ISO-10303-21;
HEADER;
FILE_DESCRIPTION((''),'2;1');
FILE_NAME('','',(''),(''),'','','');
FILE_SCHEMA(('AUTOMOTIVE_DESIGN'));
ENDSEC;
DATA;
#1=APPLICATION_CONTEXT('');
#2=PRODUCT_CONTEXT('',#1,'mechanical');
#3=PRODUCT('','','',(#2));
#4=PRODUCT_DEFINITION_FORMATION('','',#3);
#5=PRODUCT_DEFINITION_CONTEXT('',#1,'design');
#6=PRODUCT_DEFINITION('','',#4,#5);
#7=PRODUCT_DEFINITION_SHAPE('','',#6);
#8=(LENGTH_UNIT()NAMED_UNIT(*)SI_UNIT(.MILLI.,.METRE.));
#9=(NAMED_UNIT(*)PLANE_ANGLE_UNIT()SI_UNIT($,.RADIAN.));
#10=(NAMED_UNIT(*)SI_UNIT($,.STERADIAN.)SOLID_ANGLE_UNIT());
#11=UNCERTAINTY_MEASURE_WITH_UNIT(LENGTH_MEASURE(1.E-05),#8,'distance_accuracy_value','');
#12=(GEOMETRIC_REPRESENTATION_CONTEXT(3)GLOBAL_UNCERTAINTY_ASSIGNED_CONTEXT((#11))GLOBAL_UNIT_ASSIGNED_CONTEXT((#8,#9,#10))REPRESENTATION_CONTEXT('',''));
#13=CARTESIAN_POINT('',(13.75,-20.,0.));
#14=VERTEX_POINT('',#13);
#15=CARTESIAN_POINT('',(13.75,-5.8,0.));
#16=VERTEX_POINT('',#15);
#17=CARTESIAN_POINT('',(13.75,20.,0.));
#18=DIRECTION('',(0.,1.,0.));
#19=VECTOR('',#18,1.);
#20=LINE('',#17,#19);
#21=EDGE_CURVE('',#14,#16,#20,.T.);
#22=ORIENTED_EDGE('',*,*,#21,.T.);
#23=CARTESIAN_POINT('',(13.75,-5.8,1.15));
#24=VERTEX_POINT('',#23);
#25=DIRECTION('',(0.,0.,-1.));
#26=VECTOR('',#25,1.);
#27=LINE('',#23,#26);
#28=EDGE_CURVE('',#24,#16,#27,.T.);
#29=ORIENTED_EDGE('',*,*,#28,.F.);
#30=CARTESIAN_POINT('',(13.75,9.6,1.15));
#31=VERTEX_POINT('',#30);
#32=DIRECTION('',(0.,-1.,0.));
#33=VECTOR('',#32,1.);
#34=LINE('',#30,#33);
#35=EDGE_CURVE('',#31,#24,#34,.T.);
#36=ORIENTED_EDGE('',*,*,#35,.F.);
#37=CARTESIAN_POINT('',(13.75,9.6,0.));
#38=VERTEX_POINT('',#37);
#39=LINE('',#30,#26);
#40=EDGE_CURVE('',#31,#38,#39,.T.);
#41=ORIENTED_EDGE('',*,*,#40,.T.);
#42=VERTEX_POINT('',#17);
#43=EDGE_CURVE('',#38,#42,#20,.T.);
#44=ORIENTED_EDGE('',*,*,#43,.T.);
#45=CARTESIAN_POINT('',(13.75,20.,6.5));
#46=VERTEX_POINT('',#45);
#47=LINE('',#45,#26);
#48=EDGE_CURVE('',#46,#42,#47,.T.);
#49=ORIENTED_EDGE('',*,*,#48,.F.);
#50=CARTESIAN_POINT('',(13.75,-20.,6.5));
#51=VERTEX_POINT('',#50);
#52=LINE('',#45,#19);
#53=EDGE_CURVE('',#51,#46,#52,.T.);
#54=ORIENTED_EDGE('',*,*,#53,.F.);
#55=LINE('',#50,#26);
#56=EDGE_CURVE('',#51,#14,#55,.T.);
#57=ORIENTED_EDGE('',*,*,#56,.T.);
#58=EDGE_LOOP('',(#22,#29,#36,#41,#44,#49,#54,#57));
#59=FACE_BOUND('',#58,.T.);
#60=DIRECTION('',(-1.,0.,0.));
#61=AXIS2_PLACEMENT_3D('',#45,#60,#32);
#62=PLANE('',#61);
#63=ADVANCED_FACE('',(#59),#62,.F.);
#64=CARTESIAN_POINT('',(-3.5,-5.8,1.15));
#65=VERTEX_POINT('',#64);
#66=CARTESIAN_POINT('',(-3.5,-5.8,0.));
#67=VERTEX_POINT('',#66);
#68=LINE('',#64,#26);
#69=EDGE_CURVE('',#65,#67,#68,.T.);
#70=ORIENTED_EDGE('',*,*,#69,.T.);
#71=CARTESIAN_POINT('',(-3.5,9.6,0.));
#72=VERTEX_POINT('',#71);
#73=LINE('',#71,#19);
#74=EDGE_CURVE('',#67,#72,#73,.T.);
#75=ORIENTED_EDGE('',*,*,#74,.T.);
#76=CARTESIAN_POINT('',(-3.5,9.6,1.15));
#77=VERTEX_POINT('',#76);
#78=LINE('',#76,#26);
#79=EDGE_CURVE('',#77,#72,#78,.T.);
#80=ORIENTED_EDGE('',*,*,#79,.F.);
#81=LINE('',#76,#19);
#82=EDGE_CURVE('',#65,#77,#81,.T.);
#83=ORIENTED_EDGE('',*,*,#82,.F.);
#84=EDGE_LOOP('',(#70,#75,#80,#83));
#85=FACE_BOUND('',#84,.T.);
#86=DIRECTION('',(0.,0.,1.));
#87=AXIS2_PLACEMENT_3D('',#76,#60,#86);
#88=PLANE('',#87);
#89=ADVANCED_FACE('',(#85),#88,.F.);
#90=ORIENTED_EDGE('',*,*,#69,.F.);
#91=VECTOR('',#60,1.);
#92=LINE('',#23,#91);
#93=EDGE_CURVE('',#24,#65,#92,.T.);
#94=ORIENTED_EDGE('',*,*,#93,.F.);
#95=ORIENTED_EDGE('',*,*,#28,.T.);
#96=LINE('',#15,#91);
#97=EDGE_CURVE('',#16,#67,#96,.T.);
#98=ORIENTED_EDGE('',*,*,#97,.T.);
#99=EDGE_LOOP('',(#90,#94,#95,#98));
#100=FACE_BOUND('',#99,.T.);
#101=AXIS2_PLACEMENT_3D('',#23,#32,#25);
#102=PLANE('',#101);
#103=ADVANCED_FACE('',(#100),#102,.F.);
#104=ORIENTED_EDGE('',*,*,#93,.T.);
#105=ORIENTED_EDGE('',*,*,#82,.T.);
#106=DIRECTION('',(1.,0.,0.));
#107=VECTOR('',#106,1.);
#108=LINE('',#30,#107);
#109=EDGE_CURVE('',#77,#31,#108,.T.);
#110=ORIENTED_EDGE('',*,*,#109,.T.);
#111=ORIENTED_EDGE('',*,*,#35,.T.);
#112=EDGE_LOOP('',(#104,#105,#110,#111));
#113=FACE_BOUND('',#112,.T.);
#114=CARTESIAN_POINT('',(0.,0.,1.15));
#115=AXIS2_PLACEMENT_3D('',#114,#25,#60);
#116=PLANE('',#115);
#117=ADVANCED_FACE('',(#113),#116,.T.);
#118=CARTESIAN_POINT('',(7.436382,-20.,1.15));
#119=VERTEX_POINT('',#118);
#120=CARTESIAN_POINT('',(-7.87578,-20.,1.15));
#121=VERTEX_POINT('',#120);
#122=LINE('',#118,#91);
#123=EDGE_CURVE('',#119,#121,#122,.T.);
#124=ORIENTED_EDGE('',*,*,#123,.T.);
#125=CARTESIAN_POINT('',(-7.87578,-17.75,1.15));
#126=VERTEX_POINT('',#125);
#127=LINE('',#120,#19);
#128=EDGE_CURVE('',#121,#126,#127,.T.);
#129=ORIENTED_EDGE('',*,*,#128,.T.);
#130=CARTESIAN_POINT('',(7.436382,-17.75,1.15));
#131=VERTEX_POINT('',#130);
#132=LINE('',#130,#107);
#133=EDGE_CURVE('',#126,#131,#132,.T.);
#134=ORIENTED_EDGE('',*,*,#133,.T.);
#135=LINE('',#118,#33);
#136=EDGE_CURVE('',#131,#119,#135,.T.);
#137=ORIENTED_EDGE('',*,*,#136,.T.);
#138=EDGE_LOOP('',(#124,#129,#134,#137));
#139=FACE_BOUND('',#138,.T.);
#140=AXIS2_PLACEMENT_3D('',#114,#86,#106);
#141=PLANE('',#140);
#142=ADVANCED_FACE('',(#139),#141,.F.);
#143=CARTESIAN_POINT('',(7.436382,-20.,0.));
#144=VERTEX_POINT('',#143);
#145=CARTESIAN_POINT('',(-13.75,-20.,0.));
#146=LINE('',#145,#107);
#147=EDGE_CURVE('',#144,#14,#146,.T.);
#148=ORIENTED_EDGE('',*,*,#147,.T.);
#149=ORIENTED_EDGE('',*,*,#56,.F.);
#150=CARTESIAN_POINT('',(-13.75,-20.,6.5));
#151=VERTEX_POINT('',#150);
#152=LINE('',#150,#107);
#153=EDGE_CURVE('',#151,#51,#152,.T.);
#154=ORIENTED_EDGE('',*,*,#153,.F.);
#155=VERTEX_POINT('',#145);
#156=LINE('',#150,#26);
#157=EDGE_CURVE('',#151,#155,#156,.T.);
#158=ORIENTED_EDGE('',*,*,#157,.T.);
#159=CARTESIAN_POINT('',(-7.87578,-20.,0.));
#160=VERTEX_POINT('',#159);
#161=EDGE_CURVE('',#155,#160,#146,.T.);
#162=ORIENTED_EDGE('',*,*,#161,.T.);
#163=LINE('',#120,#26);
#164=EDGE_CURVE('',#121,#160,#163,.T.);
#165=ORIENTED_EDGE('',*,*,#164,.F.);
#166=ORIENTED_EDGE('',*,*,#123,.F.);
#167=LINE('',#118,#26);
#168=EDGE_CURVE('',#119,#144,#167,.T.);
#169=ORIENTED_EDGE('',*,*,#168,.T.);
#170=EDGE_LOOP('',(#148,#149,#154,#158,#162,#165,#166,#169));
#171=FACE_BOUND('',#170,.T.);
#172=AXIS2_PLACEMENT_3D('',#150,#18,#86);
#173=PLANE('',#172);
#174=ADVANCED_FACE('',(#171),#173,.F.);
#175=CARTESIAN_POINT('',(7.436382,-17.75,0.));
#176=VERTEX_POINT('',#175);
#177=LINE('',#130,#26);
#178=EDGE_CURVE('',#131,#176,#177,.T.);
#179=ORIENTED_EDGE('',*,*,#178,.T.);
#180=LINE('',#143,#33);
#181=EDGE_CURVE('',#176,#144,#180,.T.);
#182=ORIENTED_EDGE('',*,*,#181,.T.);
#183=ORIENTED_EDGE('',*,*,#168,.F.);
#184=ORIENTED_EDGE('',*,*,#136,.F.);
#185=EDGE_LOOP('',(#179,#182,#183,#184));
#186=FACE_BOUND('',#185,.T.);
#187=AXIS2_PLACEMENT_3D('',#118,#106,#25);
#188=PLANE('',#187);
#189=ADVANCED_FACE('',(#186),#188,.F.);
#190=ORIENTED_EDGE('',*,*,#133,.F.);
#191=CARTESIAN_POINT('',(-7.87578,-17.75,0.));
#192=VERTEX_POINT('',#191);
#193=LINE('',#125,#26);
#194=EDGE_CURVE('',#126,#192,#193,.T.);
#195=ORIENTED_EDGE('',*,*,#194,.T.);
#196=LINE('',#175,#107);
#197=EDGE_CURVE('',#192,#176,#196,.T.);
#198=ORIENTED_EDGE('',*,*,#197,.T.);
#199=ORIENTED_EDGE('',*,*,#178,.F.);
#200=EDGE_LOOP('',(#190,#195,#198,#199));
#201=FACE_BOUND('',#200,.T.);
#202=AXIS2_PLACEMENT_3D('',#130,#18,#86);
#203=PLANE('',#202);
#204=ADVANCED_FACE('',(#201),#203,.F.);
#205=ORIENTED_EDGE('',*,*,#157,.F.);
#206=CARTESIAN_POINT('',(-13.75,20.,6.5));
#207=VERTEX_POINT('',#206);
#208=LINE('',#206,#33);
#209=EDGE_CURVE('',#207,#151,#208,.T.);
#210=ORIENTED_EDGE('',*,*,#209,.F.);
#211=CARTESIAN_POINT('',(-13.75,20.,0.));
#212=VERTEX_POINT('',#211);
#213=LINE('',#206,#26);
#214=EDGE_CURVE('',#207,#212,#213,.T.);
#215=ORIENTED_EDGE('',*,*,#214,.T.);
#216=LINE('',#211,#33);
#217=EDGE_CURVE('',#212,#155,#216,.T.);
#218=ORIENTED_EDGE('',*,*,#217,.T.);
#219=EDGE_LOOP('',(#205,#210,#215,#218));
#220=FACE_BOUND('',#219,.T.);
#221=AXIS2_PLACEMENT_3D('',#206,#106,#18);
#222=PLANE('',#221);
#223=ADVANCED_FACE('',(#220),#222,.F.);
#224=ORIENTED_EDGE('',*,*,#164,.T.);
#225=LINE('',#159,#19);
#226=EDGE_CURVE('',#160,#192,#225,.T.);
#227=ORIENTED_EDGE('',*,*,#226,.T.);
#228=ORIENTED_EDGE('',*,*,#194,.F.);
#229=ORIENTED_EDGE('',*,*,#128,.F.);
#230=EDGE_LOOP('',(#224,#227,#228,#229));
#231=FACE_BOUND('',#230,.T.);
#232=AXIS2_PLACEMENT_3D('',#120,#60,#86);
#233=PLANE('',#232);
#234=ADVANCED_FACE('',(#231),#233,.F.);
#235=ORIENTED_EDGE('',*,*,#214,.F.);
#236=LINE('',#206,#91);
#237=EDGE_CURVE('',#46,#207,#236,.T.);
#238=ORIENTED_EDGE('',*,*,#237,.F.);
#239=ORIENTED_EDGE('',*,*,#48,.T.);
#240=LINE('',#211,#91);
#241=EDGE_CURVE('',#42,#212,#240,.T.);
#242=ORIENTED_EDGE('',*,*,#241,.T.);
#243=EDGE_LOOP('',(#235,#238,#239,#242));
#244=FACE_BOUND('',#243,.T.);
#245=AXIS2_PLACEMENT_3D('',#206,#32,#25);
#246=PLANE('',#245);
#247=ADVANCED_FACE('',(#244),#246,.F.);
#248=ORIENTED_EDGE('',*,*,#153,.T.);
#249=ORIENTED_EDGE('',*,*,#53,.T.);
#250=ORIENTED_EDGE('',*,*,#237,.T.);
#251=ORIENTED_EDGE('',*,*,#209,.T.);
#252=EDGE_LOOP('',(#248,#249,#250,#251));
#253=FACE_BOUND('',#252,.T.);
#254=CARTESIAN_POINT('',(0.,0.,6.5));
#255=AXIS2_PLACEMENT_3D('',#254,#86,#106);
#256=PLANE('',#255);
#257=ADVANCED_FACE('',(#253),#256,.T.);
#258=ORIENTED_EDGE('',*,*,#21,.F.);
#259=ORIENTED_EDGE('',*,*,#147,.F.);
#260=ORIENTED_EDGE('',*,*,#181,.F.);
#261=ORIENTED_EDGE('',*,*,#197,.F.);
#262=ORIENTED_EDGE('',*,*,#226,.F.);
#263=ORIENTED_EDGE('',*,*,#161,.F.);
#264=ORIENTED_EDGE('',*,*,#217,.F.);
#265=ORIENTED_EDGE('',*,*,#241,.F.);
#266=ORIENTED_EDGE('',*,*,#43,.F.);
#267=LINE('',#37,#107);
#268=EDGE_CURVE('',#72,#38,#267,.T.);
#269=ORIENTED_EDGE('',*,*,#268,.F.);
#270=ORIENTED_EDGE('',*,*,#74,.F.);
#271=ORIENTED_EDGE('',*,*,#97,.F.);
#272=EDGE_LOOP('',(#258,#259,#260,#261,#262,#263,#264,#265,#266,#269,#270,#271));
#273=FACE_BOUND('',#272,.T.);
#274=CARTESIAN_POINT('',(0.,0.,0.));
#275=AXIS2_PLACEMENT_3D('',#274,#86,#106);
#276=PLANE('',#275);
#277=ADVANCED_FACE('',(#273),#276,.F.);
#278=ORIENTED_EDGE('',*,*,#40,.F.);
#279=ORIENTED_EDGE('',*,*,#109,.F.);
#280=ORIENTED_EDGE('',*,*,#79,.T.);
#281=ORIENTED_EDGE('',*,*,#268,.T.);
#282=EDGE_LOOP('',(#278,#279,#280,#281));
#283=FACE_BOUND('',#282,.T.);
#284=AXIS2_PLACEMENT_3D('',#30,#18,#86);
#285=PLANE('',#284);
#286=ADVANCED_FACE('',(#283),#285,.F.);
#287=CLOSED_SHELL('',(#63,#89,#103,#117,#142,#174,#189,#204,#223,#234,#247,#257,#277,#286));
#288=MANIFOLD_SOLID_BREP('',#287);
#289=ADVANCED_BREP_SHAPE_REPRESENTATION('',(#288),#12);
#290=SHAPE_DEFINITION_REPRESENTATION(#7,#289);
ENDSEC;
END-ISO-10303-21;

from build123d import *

# Parameters (mm, degrees)
SKETCH1_W           = 27.5
SKETCH1_H           = 40
BOSS_EXTRUDE1_DEPTH = 6.5
SKETCH2_W           = 17.25
SKETCH2_H           = 15.4
CUT_EXTRUDE1_DEPTH  = 1.15
SKETCH3_W           = 15.312161922
SKETCH3_H           = 2.25
CUT_EXTRUDE2_DEPTH  = 1.15


with BuildPart() as part:
    # Sketch1 → Boss-Extrude1 (new body)
    with BuildSketch(Plane.XY):
        Rectangle(SKETCH1_W, SKETCH1_H)
    extrude(amount=BOSS_EXTRUDE1_DEPTH)

    # Sketch2 → Cut-Extrude1 (cut)
    with BuildSketch(Plane(origin=(0, 0, 0), x_dir=(-1, 0, 0), z_dir=(0, 0, -1))):
        with Locations((-5.125, 1.9)):
            Rectangle(SKETCH2_W, SKETCH2_H)
    extrude(amount=-CUT_EXTRUDE1_DEPTH, mode=Mode.SUBTRACT)

    # Sketch3 → Cut-Extrude2 (cut)
    with BuildSketch(Plane(origin=(0, 0, 0), x_dir=(-1, 0, 0), z_dir=(0, 0, -1))):
        with Locations((0.219698945, -18.875)):
            Rectangle(SKETCH3_W, SKETCH3_H)
    extrude(amount=-CUT_EXTRUDE2_DEPTH, mode=Mode.SUBTRACT)


solid = part.part
